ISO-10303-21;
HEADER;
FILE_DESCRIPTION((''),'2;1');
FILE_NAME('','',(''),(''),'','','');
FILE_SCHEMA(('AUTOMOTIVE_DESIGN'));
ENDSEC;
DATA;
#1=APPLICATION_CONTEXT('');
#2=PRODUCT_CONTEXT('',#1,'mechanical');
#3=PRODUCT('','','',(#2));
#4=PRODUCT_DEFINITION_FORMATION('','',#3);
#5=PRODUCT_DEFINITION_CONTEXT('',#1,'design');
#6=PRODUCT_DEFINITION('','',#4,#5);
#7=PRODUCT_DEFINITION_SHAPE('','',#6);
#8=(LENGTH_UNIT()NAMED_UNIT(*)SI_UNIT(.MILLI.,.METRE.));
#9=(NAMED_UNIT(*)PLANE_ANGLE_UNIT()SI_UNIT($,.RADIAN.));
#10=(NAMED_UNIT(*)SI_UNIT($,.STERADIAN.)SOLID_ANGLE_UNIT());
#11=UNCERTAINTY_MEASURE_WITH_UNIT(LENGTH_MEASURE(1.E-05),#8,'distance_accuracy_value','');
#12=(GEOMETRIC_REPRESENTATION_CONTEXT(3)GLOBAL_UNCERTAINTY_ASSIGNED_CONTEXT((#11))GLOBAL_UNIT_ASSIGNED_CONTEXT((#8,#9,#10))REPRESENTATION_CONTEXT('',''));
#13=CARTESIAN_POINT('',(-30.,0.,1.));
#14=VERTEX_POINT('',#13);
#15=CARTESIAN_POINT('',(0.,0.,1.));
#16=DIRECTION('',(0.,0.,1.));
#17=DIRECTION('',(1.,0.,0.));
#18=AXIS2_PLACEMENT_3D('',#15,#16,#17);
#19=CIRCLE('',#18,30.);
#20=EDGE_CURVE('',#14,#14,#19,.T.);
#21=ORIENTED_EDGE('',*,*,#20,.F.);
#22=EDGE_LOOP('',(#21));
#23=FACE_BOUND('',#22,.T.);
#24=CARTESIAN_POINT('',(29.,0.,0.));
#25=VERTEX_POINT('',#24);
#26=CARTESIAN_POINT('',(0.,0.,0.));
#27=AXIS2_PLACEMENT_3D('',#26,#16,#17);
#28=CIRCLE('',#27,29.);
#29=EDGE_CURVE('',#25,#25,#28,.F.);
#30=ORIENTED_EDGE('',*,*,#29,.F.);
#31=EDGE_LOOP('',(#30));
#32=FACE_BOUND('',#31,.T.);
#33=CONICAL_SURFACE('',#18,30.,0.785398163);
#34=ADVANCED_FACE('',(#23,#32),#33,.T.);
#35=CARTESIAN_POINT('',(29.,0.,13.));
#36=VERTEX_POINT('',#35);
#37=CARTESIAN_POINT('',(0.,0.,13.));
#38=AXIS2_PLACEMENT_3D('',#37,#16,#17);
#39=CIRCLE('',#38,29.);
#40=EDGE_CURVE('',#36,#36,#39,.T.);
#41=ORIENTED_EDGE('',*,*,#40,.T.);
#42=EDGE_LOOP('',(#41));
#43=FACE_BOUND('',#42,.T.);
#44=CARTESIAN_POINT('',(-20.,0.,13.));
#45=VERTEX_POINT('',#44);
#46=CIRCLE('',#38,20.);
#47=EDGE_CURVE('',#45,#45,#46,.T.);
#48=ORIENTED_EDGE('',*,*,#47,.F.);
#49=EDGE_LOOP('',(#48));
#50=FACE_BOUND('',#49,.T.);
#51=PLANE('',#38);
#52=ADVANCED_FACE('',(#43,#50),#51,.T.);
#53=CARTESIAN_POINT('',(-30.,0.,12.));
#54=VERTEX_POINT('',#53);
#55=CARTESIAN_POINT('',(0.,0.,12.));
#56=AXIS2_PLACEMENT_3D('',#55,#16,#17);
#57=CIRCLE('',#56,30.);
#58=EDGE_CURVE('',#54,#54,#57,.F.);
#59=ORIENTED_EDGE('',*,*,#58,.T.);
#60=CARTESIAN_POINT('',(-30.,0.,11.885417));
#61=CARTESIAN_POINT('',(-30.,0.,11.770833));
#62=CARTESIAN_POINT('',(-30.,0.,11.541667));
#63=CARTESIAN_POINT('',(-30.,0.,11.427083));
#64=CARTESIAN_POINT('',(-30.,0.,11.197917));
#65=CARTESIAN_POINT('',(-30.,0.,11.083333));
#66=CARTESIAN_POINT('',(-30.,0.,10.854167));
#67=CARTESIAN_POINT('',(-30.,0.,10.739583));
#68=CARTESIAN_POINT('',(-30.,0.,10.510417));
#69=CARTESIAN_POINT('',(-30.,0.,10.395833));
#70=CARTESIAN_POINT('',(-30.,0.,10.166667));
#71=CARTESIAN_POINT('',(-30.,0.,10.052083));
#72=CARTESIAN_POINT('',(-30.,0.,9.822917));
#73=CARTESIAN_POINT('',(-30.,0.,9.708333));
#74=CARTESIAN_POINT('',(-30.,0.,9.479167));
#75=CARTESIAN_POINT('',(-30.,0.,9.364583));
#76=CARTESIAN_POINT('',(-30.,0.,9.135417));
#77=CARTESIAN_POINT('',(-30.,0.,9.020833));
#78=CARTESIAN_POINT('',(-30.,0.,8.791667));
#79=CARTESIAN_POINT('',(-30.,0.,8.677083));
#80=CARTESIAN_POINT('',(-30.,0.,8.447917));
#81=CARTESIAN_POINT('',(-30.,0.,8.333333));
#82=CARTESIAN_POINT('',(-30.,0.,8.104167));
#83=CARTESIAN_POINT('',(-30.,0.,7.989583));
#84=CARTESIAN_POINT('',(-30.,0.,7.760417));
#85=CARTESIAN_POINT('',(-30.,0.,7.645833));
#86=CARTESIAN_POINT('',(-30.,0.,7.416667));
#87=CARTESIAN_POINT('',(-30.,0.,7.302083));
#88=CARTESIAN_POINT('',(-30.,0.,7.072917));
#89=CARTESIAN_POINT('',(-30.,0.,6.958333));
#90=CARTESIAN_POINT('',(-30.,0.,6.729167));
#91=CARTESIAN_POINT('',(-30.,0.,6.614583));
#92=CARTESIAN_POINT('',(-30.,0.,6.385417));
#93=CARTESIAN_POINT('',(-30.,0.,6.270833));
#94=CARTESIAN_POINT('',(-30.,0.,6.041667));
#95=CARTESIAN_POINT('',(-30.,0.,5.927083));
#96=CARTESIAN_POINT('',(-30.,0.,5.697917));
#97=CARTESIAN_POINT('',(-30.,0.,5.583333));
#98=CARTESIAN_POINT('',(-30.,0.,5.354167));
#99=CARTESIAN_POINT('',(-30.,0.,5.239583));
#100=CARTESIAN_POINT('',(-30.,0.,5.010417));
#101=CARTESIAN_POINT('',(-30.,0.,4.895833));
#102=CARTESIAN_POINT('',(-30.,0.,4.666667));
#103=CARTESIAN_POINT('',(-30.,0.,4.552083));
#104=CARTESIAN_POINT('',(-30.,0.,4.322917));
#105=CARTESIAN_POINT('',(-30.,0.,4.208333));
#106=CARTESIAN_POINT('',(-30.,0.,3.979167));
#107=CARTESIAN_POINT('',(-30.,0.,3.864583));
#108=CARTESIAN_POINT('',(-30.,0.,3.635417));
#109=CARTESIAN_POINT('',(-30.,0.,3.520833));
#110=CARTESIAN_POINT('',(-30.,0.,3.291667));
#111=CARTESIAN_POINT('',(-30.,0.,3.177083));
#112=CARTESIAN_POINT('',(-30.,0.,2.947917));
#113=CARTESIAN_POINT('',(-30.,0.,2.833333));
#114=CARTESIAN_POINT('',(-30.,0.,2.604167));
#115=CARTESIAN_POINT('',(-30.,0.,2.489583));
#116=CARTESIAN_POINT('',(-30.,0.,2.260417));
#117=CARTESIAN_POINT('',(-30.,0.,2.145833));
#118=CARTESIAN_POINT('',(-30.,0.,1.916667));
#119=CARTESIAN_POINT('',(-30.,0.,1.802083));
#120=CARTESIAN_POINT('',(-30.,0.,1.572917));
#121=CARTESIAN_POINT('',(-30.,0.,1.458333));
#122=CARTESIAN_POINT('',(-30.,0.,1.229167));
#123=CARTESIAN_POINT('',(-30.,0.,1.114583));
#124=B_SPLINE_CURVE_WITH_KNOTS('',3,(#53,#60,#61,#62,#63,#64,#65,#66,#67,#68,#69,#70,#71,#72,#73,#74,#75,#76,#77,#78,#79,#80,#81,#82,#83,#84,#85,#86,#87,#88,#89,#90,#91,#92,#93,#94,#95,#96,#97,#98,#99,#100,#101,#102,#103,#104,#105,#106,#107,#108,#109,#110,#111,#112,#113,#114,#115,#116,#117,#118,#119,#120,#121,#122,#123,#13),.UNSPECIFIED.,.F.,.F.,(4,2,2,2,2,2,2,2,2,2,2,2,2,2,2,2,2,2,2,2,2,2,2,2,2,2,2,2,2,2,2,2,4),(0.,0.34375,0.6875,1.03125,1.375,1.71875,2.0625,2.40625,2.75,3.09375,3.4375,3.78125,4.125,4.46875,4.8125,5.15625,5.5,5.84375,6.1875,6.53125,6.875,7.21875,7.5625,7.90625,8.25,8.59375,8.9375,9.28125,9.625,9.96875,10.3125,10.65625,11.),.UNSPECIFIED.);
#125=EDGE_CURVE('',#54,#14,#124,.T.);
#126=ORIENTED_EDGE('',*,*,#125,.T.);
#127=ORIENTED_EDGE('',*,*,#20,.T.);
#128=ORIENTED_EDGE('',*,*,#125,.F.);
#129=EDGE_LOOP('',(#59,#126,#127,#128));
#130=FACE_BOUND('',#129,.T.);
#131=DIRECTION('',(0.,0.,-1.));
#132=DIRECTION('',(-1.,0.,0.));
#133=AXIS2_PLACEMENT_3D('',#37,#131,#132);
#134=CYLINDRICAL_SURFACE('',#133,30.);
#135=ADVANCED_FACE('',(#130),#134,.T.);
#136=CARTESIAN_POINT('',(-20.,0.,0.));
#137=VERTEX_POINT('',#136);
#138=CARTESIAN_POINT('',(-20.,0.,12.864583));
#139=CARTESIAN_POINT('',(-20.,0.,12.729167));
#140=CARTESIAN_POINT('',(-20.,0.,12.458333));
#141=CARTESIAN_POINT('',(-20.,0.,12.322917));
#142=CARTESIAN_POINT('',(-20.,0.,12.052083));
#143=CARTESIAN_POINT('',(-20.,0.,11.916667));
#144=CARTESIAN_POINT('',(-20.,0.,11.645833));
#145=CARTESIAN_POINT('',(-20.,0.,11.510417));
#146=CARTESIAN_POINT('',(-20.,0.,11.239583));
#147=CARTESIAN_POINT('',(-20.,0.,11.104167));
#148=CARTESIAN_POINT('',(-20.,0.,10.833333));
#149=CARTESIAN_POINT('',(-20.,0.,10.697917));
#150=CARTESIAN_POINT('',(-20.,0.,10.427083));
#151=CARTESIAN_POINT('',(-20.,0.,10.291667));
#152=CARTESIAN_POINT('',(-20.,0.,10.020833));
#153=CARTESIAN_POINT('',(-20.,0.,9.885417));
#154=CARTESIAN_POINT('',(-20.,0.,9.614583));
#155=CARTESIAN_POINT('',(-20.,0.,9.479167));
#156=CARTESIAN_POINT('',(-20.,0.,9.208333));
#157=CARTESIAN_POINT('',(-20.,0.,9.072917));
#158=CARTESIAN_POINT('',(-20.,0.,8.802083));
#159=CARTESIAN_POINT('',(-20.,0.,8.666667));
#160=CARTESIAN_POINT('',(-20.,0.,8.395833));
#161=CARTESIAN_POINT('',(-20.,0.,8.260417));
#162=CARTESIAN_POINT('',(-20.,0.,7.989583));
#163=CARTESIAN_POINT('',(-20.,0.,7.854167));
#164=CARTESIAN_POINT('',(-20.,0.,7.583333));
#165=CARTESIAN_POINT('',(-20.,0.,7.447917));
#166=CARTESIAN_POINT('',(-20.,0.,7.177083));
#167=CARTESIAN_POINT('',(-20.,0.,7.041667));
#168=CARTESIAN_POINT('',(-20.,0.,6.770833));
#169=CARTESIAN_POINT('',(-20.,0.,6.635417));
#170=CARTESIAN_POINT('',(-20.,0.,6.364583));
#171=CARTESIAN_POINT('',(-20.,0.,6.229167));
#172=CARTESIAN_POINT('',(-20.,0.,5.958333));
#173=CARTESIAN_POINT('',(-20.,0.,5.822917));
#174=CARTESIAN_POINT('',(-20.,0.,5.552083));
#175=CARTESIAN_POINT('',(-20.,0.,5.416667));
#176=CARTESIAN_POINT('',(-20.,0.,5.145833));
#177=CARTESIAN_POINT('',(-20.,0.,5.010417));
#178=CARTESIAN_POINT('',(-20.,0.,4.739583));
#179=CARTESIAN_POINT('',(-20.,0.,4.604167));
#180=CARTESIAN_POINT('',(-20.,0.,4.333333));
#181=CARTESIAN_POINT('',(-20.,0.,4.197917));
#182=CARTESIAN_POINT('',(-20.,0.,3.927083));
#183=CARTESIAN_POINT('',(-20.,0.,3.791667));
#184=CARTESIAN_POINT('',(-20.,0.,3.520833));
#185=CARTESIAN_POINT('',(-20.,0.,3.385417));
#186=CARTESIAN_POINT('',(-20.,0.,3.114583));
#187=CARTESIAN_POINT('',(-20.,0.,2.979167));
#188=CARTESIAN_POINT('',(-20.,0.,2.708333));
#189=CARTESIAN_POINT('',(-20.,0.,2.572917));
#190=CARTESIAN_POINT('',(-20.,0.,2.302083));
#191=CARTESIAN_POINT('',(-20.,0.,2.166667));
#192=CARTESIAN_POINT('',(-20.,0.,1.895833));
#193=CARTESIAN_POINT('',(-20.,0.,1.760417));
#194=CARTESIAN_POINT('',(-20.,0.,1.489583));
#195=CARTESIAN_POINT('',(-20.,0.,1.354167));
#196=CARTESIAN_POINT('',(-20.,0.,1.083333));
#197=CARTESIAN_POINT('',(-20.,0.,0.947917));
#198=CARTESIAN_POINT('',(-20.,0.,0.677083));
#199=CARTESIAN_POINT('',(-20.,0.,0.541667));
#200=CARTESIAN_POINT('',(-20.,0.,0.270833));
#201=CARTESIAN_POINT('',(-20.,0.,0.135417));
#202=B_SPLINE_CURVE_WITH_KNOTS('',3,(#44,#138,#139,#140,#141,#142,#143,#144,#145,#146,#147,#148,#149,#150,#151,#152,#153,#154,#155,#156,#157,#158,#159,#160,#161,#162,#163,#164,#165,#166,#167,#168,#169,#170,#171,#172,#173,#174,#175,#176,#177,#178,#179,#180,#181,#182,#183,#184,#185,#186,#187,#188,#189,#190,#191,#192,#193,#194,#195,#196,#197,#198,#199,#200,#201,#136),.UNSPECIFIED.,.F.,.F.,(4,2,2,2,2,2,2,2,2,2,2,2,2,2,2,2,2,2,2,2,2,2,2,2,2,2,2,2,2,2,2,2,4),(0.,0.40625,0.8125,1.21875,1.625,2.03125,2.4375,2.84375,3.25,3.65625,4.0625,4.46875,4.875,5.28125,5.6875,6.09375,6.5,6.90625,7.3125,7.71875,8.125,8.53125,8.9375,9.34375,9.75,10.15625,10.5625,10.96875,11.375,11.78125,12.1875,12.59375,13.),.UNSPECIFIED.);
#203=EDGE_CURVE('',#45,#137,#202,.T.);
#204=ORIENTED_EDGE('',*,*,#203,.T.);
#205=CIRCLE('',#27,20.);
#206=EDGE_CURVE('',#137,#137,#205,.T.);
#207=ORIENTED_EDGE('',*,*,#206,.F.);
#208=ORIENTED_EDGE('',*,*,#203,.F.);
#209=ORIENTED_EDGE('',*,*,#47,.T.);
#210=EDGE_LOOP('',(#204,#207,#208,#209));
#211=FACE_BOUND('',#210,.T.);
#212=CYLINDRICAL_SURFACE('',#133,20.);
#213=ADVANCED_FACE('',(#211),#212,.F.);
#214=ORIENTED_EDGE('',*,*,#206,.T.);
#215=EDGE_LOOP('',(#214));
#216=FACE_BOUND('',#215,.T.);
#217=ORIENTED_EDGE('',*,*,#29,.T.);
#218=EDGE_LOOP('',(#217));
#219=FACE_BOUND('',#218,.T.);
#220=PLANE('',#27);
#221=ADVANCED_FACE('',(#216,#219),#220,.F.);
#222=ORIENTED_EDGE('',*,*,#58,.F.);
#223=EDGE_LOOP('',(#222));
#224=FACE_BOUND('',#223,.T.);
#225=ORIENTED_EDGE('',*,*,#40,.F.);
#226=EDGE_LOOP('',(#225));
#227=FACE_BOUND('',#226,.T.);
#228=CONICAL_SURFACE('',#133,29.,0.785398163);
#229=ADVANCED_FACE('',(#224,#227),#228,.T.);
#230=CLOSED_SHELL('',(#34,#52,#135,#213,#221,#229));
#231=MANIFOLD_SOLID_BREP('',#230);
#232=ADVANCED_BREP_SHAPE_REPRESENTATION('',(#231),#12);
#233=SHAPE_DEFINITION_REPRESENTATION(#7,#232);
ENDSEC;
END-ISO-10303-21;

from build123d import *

# Parameters (mm, degrees)
SKETCH_1_R      = 30
SKETCH_1_R_2    = 20
EXTRUDE_1_DEPTH = 13
CHAMFER_1_SIZE  = 1


with BuildPart() as part:
    # 草图1 → 凸台-拉伸1 (new body)
    with BuildSketch(Plane.XY):
        with Locations(Location((0, 0, 0), (0, 0, 180))):
            Circle(SKETCH_1_R)
        with Locations(Location((0, 0, 0), (0, 0, 180))):
            Circle(SKETCH_1_R_2, mode=Mode.SUBTRACT)
    extrude(amount=EXTRUDE_1_DEPTH)

    # 倒角1
    chamfer_1_edges = [part.edges().sort_by_distance(p)[0] for p in [
        (30, 0, 0),
        (30, 0, 13),
    ]]
    chamfer(chamfer_1_edges, length=CHAMFER_1_SIZE)


solid = part.part
